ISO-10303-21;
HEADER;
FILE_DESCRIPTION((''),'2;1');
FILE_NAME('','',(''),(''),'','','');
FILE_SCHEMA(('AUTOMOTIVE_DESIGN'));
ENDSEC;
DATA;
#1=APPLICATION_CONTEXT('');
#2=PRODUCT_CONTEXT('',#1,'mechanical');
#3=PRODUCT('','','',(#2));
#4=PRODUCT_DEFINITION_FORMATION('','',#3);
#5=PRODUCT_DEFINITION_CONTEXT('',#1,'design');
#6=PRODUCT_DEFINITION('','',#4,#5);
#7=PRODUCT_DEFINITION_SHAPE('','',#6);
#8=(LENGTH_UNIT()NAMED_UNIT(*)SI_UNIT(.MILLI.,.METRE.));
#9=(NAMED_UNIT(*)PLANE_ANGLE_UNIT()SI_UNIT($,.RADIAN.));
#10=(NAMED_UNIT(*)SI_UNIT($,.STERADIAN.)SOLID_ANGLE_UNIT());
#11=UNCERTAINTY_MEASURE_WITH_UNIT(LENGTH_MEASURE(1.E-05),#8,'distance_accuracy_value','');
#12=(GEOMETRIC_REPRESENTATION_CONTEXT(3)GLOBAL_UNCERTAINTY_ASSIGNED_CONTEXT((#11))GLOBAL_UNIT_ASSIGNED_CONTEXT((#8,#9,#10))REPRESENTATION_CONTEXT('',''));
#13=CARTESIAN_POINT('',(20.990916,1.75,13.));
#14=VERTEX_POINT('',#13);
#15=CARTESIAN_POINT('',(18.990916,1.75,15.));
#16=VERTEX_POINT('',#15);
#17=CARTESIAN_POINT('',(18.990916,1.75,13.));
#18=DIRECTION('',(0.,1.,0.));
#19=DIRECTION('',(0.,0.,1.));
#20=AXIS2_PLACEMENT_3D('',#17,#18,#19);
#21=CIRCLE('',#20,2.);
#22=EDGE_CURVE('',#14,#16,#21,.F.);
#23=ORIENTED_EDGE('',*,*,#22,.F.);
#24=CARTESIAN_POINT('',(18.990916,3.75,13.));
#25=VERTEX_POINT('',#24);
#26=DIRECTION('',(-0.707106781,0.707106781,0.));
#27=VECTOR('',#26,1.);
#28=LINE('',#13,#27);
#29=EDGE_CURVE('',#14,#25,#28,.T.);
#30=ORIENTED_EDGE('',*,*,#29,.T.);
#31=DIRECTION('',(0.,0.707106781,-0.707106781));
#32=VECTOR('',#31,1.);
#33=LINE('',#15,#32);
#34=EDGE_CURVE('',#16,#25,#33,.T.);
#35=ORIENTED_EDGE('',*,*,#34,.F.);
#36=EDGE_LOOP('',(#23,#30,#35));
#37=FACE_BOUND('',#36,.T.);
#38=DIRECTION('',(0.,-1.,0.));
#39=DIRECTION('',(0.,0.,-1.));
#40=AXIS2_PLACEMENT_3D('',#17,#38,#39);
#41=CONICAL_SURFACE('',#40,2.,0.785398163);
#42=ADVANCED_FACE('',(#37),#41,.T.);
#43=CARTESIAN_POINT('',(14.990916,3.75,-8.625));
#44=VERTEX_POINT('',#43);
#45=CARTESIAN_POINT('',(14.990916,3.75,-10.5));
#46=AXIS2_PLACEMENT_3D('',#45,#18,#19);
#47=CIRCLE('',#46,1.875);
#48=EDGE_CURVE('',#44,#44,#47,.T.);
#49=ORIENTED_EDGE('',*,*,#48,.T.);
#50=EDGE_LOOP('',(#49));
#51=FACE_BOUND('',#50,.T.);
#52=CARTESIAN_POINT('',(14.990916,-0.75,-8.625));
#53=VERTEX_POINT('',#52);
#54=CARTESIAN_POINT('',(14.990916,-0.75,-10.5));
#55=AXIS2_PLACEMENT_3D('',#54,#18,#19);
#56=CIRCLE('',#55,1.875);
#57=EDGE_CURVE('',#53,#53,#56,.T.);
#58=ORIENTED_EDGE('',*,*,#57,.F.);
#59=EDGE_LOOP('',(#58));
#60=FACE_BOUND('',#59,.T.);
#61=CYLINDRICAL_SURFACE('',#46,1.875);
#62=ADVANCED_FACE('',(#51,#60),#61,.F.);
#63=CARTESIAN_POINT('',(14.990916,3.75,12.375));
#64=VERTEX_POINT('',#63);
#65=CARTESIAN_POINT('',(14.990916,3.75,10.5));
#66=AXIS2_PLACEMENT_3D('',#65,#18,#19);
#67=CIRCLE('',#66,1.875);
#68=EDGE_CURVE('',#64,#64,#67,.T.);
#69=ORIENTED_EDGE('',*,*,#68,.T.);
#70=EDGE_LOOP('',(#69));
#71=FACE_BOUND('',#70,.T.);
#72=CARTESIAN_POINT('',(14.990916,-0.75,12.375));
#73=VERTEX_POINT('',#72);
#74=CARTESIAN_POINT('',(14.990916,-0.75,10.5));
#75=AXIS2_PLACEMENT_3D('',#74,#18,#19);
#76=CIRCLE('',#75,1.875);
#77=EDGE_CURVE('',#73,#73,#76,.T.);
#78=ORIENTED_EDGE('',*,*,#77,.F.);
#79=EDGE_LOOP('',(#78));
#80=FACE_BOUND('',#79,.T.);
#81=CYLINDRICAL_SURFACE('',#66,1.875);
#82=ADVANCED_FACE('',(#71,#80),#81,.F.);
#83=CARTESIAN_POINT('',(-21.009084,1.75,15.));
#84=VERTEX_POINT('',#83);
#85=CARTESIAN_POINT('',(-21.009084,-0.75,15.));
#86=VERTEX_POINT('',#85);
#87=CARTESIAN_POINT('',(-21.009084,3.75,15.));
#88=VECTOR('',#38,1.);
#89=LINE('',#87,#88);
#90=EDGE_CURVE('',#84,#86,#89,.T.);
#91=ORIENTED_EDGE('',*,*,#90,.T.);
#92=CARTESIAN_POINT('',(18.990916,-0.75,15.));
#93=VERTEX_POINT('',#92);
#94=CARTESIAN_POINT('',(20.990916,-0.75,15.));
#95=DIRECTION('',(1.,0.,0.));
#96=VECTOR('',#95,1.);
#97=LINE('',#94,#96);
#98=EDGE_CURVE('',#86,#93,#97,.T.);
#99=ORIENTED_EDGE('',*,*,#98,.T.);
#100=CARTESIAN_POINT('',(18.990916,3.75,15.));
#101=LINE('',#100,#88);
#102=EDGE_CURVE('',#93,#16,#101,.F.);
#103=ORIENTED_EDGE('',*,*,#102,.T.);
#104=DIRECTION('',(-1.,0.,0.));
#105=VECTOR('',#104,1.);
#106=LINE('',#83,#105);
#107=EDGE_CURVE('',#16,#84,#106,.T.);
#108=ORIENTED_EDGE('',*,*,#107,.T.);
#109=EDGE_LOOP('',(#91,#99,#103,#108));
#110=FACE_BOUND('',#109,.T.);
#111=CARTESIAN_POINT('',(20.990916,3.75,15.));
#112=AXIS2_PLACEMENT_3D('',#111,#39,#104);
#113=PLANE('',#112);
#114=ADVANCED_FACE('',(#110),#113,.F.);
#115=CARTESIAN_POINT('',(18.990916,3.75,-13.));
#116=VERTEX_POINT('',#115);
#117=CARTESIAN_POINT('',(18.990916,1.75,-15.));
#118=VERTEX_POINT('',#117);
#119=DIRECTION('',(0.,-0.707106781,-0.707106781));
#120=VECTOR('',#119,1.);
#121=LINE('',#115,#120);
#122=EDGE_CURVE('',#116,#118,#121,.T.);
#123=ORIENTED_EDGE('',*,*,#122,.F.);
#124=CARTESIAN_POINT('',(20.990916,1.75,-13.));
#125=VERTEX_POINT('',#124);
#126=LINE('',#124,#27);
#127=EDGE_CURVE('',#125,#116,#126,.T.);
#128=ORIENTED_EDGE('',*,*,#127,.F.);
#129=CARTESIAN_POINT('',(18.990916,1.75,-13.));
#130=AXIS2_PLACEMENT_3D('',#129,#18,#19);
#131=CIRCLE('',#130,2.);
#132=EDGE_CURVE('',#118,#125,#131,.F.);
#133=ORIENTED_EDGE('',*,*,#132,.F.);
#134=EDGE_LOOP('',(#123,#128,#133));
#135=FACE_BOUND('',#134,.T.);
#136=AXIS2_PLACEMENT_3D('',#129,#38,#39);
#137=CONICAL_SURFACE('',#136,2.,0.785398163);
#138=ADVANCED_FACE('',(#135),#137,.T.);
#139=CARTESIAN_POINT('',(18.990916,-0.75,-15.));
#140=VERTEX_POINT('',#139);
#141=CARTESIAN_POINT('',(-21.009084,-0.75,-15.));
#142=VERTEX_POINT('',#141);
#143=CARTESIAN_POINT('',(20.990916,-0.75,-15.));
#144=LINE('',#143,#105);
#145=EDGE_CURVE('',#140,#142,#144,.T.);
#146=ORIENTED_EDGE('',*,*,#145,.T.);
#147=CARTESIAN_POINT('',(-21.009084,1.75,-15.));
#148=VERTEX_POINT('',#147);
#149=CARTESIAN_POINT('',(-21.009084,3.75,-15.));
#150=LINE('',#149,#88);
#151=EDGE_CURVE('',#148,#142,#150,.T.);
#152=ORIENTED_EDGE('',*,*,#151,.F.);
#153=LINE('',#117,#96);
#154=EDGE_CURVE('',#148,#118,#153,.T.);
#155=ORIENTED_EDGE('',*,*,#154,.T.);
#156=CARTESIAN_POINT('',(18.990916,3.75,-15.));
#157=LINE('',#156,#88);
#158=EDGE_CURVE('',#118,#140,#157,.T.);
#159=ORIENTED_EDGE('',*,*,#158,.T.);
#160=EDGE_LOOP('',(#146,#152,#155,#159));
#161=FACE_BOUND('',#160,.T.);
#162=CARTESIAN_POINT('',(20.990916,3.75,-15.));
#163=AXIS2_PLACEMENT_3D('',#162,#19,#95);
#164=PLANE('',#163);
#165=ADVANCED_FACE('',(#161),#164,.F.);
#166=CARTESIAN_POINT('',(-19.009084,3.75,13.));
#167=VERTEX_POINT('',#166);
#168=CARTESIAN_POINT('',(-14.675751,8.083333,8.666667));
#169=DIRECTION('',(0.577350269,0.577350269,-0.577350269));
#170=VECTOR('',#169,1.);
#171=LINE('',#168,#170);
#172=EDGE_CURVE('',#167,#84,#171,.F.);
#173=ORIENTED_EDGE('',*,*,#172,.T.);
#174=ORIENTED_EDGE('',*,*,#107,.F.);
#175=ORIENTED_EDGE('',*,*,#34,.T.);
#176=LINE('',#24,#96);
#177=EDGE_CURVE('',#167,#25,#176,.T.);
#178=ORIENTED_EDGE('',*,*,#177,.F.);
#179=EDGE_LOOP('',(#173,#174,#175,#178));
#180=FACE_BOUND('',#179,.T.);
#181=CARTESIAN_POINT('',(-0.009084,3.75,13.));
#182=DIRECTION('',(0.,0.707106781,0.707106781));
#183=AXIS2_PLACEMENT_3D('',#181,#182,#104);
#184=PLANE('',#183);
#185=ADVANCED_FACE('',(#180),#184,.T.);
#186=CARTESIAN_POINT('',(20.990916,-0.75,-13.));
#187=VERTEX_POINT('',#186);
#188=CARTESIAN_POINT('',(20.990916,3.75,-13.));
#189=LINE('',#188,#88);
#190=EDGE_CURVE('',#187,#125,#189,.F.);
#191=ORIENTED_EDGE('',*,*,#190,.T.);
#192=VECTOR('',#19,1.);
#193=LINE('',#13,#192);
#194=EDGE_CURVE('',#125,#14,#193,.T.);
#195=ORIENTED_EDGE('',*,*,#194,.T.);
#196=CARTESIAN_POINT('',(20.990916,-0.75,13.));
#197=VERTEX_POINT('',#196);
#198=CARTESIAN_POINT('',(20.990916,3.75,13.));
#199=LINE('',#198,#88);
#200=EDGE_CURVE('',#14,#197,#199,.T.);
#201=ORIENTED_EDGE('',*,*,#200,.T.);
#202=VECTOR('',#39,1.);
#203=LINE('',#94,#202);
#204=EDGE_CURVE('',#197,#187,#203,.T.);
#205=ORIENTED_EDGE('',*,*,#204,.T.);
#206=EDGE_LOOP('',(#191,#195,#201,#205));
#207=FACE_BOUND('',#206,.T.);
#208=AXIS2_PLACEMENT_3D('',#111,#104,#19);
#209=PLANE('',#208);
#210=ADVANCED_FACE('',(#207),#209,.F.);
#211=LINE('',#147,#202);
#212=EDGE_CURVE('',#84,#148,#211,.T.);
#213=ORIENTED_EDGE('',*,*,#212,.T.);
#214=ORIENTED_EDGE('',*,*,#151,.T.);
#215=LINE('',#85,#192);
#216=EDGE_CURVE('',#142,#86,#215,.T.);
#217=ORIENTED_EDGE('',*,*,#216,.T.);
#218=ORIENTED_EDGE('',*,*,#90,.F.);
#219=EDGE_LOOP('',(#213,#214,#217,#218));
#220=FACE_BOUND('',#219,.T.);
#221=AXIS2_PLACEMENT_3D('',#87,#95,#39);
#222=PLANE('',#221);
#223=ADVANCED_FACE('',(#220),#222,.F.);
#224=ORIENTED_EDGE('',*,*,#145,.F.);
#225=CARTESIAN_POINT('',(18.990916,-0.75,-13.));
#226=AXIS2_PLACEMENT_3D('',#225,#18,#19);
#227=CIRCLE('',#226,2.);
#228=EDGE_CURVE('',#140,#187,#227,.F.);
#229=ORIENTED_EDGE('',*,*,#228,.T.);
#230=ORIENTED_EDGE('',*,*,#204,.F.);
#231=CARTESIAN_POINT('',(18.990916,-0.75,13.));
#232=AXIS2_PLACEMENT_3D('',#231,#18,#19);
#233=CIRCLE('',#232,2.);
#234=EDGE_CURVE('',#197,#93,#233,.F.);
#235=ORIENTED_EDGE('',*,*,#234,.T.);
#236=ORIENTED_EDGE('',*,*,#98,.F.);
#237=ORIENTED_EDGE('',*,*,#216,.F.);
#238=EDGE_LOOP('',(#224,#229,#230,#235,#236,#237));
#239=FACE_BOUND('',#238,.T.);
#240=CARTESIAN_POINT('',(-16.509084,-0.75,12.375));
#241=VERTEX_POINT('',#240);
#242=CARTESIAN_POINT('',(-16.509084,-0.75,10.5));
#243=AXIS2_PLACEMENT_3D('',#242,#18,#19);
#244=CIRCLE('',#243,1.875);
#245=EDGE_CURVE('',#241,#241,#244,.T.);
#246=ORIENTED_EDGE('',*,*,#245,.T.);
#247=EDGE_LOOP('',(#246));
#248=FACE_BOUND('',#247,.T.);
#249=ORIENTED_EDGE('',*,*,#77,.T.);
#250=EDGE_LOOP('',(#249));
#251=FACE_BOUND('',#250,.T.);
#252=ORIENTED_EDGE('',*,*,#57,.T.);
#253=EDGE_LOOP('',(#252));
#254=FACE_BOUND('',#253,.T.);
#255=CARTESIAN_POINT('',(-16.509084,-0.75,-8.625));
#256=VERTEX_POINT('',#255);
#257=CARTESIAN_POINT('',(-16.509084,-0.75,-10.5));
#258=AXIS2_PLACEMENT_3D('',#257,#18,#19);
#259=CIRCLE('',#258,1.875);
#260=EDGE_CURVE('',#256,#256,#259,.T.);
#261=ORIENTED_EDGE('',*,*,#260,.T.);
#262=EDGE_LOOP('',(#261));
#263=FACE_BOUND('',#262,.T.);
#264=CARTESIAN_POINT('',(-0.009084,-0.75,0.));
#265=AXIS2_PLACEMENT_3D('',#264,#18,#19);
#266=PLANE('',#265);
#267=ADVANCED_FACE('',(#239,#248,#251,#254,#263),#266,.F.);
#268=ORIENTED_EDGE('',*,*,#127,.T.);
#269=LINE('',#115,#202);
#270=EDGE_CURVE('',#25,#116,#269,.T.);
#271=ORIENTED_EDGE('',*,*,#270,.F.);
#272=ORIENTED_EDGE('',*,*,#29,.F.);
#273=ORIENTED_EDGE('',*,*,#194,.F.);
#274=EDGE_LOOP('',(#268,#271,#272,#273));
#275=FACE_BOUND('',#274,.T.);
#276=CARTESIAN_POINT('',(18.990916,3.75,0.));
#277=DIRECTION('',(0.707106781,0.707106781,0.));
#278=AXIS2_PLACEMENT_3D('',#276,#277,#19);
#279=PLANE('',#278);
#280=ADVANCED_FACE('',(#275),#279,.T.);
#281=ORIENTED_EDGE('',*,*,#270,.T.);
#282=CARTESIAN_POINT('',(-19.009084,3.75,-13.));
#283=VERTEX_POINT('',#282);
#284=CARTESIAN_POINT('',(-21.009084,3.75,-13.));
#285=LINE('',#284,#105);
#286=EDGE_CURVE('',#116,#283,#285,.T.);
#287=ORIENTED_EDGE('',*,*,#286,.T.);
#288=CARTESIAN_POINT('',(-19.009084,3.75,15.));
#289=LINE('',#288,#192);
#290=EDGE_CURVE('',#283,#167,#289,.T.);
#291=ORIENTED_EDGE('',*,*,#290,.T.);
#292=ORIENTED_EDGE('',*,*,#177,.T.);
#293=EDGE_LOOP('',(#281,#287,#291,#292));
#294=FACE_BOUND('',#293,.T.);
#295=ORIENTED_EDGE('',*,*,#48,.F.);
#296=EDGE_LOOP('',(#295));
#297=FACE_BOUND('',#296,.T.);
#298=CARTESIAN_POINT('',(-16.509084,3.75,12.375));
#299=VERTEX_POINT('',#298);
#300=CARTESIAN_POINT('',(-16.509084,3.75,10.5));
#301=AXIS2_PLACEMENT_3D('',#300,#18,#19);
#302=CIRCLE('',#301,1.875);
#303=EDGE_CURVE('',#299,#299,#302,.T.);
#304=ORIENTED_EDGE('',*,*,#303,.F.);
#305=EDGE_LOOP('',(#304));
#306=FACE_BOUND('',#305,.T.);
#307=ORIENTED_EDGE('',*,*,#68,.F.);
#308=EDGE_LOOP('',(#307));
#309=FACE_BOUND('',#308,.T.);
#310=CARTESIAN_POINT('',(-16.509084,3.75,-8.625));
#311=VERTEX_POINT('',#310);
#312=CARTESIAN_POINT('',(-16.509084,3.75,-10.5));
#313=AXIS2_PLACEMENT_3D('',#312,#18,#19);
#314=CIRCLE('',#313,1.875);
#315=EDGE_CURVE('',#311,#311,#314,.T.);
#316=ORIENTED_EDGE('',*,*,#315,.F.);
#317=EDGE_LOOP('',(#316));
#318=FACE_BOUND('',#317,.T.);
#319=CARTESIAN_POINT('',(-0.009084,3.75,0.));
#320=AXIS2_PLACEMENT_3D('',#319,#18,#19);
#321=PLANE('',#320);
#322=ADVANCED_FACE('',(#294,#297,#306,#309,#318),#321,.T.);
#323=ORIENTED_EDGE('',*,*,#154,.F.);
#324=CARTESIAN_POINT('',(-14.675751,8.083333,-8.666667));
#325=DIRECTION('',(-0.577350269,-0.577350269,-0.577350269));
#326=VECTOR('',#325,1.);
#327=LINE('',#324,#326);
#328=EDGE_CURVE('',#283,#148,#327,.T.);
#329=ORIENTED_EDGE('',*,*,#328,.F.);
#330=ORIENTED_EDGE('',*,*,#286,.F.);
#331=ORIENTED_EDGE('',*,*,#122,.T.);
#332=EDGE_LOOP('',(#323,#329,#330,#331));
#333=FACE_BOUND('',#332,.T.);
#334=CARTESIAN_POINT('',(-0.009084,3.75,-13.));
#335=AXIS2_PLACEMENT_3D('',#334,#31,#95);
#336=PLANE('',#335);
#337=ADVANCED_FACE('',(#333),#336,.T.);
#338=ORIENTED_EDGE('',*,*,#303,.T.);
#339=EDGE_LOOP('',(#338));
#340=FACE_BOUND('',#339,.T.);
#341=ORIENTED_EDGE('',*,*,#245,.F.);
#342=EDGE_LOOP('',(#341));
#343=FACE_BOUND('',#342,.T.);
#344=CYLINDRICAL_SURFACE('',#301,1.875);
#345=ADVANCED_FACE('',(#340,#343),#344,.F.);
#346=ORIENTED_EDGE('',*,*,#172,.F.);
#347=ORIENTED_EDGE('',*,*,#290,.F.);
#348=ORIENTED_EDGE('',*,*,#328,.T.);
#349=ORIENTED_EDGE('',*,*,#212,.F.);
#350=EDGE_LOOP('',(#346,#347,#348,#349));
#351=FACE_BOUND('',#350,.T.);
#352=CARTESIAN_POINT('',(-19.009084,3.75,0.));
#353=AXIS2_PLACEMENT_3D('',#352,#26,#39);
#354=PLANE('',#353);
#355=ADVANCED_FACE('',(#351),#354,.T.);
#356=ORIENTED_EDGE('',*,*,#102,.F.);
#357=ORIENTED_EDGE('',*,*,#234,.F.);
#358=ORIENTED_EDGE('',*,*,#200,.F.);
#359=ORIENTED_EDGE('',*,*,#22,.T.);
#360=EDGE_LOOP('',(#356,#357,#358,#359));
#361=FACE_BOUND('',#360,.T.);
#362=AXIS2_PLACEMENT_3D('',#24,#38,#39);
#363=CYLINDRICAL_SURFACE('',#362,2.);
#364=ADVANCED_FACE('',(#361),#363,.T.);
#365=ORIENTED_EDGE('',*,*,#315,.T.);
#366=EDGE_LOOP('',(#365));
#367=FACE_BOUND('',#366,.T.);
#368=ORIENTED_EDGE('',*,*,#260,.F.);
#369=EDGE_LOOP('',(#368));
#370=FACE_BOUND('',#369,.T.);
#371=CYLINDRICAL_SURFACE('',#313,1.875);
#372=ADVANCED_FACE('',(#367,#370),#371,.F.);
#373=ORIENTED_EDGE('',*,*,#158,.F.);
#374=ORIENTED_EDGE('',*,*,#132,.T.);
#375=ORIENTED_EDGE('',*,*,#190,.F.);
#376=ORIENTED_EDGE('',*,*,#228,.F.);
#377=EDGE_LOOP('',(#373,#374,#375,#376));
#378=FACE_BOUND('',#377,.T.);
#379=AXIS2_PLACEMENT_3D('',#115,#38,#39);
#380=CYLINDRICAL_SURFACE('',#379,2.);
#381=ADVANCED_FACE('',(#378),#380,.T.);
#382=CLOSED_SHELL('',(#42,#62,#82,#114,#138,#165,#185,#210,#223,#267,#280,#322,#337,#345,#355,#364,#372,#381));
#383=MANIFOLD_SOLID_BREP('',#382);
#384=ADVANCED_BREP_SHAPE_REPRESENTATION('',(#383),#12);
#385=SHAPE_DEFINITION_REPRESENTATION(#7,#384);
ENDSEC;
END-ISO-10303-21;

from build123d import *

# Parameters (mm, degrees)
SKETCH1_W           = 28
SKETCH1_H           = 20
BOSS_EXTRUDE1_DEPTH = 3
M3_TAPPED_HOLE1_D   = 2.5
SCALE1_SCALE        = 1.5
FILLET1_R           = 2
CHAMFER1_SIZE       = 2


with BuildPart() as part:
    # Sketch1 → Boss-Extrude1 (new body)
    with BuildSketch(Plane(origin=(0, 0, 0), x_dir=(1, 0, 0), z_dir=(0, 1, 0))):
        Rectangle(SKETCH1_W, SKETCH1_H)
    extrude(amount=BOSS_EXTRUDE1_DEPTH)

    # M3 Tapped Hole1 (through all)
    with Locations(Plane(origin=(0, 3, 0), x_dir=(1, 0, 0), z_dir=(0, 1, 0))):
        with Locations((-11, 7), (-11, -7), (10, -7), (10, 7)):
            Hole(M3_TAPPED_HOLE1_D / 2)


with BuildPart() as part_1:
    # Scale1: scaled about (0.018168231, 1.5, 0)
    add(part.part.scale(SCALE1_SCALE).moved(Location((-0.009084115, -0.75, 0))))

    # Fillet1
    fillet1_edges = [part_1.edges().sort_by_distance(p)[0] for p in [
        (20.990915884, 1.5, -15),
        (20.990915884, 1.5, 15),
    ]]
    fillet(fillet1_edges, radius=FILLET1_R)

    # Chamfer1
    chamfer1_edges = [part_1.edges().sort_by_distance(p)[0] for p in [
        (20.990915884, 3.75, 0),
        (-1.009084116, 3.75, -15),
        (20.405129447, 3.75, -14.414213562),
        (20.405129447, 3.75, 14.414213562),
        (-21.009084116, 3.75, 0),
        (-1.009084116, 3.75, 15),
    ]]
    chamfer(chamfer1_edges, length=CHAMFER1_SIZE)


solid = part_1.part
